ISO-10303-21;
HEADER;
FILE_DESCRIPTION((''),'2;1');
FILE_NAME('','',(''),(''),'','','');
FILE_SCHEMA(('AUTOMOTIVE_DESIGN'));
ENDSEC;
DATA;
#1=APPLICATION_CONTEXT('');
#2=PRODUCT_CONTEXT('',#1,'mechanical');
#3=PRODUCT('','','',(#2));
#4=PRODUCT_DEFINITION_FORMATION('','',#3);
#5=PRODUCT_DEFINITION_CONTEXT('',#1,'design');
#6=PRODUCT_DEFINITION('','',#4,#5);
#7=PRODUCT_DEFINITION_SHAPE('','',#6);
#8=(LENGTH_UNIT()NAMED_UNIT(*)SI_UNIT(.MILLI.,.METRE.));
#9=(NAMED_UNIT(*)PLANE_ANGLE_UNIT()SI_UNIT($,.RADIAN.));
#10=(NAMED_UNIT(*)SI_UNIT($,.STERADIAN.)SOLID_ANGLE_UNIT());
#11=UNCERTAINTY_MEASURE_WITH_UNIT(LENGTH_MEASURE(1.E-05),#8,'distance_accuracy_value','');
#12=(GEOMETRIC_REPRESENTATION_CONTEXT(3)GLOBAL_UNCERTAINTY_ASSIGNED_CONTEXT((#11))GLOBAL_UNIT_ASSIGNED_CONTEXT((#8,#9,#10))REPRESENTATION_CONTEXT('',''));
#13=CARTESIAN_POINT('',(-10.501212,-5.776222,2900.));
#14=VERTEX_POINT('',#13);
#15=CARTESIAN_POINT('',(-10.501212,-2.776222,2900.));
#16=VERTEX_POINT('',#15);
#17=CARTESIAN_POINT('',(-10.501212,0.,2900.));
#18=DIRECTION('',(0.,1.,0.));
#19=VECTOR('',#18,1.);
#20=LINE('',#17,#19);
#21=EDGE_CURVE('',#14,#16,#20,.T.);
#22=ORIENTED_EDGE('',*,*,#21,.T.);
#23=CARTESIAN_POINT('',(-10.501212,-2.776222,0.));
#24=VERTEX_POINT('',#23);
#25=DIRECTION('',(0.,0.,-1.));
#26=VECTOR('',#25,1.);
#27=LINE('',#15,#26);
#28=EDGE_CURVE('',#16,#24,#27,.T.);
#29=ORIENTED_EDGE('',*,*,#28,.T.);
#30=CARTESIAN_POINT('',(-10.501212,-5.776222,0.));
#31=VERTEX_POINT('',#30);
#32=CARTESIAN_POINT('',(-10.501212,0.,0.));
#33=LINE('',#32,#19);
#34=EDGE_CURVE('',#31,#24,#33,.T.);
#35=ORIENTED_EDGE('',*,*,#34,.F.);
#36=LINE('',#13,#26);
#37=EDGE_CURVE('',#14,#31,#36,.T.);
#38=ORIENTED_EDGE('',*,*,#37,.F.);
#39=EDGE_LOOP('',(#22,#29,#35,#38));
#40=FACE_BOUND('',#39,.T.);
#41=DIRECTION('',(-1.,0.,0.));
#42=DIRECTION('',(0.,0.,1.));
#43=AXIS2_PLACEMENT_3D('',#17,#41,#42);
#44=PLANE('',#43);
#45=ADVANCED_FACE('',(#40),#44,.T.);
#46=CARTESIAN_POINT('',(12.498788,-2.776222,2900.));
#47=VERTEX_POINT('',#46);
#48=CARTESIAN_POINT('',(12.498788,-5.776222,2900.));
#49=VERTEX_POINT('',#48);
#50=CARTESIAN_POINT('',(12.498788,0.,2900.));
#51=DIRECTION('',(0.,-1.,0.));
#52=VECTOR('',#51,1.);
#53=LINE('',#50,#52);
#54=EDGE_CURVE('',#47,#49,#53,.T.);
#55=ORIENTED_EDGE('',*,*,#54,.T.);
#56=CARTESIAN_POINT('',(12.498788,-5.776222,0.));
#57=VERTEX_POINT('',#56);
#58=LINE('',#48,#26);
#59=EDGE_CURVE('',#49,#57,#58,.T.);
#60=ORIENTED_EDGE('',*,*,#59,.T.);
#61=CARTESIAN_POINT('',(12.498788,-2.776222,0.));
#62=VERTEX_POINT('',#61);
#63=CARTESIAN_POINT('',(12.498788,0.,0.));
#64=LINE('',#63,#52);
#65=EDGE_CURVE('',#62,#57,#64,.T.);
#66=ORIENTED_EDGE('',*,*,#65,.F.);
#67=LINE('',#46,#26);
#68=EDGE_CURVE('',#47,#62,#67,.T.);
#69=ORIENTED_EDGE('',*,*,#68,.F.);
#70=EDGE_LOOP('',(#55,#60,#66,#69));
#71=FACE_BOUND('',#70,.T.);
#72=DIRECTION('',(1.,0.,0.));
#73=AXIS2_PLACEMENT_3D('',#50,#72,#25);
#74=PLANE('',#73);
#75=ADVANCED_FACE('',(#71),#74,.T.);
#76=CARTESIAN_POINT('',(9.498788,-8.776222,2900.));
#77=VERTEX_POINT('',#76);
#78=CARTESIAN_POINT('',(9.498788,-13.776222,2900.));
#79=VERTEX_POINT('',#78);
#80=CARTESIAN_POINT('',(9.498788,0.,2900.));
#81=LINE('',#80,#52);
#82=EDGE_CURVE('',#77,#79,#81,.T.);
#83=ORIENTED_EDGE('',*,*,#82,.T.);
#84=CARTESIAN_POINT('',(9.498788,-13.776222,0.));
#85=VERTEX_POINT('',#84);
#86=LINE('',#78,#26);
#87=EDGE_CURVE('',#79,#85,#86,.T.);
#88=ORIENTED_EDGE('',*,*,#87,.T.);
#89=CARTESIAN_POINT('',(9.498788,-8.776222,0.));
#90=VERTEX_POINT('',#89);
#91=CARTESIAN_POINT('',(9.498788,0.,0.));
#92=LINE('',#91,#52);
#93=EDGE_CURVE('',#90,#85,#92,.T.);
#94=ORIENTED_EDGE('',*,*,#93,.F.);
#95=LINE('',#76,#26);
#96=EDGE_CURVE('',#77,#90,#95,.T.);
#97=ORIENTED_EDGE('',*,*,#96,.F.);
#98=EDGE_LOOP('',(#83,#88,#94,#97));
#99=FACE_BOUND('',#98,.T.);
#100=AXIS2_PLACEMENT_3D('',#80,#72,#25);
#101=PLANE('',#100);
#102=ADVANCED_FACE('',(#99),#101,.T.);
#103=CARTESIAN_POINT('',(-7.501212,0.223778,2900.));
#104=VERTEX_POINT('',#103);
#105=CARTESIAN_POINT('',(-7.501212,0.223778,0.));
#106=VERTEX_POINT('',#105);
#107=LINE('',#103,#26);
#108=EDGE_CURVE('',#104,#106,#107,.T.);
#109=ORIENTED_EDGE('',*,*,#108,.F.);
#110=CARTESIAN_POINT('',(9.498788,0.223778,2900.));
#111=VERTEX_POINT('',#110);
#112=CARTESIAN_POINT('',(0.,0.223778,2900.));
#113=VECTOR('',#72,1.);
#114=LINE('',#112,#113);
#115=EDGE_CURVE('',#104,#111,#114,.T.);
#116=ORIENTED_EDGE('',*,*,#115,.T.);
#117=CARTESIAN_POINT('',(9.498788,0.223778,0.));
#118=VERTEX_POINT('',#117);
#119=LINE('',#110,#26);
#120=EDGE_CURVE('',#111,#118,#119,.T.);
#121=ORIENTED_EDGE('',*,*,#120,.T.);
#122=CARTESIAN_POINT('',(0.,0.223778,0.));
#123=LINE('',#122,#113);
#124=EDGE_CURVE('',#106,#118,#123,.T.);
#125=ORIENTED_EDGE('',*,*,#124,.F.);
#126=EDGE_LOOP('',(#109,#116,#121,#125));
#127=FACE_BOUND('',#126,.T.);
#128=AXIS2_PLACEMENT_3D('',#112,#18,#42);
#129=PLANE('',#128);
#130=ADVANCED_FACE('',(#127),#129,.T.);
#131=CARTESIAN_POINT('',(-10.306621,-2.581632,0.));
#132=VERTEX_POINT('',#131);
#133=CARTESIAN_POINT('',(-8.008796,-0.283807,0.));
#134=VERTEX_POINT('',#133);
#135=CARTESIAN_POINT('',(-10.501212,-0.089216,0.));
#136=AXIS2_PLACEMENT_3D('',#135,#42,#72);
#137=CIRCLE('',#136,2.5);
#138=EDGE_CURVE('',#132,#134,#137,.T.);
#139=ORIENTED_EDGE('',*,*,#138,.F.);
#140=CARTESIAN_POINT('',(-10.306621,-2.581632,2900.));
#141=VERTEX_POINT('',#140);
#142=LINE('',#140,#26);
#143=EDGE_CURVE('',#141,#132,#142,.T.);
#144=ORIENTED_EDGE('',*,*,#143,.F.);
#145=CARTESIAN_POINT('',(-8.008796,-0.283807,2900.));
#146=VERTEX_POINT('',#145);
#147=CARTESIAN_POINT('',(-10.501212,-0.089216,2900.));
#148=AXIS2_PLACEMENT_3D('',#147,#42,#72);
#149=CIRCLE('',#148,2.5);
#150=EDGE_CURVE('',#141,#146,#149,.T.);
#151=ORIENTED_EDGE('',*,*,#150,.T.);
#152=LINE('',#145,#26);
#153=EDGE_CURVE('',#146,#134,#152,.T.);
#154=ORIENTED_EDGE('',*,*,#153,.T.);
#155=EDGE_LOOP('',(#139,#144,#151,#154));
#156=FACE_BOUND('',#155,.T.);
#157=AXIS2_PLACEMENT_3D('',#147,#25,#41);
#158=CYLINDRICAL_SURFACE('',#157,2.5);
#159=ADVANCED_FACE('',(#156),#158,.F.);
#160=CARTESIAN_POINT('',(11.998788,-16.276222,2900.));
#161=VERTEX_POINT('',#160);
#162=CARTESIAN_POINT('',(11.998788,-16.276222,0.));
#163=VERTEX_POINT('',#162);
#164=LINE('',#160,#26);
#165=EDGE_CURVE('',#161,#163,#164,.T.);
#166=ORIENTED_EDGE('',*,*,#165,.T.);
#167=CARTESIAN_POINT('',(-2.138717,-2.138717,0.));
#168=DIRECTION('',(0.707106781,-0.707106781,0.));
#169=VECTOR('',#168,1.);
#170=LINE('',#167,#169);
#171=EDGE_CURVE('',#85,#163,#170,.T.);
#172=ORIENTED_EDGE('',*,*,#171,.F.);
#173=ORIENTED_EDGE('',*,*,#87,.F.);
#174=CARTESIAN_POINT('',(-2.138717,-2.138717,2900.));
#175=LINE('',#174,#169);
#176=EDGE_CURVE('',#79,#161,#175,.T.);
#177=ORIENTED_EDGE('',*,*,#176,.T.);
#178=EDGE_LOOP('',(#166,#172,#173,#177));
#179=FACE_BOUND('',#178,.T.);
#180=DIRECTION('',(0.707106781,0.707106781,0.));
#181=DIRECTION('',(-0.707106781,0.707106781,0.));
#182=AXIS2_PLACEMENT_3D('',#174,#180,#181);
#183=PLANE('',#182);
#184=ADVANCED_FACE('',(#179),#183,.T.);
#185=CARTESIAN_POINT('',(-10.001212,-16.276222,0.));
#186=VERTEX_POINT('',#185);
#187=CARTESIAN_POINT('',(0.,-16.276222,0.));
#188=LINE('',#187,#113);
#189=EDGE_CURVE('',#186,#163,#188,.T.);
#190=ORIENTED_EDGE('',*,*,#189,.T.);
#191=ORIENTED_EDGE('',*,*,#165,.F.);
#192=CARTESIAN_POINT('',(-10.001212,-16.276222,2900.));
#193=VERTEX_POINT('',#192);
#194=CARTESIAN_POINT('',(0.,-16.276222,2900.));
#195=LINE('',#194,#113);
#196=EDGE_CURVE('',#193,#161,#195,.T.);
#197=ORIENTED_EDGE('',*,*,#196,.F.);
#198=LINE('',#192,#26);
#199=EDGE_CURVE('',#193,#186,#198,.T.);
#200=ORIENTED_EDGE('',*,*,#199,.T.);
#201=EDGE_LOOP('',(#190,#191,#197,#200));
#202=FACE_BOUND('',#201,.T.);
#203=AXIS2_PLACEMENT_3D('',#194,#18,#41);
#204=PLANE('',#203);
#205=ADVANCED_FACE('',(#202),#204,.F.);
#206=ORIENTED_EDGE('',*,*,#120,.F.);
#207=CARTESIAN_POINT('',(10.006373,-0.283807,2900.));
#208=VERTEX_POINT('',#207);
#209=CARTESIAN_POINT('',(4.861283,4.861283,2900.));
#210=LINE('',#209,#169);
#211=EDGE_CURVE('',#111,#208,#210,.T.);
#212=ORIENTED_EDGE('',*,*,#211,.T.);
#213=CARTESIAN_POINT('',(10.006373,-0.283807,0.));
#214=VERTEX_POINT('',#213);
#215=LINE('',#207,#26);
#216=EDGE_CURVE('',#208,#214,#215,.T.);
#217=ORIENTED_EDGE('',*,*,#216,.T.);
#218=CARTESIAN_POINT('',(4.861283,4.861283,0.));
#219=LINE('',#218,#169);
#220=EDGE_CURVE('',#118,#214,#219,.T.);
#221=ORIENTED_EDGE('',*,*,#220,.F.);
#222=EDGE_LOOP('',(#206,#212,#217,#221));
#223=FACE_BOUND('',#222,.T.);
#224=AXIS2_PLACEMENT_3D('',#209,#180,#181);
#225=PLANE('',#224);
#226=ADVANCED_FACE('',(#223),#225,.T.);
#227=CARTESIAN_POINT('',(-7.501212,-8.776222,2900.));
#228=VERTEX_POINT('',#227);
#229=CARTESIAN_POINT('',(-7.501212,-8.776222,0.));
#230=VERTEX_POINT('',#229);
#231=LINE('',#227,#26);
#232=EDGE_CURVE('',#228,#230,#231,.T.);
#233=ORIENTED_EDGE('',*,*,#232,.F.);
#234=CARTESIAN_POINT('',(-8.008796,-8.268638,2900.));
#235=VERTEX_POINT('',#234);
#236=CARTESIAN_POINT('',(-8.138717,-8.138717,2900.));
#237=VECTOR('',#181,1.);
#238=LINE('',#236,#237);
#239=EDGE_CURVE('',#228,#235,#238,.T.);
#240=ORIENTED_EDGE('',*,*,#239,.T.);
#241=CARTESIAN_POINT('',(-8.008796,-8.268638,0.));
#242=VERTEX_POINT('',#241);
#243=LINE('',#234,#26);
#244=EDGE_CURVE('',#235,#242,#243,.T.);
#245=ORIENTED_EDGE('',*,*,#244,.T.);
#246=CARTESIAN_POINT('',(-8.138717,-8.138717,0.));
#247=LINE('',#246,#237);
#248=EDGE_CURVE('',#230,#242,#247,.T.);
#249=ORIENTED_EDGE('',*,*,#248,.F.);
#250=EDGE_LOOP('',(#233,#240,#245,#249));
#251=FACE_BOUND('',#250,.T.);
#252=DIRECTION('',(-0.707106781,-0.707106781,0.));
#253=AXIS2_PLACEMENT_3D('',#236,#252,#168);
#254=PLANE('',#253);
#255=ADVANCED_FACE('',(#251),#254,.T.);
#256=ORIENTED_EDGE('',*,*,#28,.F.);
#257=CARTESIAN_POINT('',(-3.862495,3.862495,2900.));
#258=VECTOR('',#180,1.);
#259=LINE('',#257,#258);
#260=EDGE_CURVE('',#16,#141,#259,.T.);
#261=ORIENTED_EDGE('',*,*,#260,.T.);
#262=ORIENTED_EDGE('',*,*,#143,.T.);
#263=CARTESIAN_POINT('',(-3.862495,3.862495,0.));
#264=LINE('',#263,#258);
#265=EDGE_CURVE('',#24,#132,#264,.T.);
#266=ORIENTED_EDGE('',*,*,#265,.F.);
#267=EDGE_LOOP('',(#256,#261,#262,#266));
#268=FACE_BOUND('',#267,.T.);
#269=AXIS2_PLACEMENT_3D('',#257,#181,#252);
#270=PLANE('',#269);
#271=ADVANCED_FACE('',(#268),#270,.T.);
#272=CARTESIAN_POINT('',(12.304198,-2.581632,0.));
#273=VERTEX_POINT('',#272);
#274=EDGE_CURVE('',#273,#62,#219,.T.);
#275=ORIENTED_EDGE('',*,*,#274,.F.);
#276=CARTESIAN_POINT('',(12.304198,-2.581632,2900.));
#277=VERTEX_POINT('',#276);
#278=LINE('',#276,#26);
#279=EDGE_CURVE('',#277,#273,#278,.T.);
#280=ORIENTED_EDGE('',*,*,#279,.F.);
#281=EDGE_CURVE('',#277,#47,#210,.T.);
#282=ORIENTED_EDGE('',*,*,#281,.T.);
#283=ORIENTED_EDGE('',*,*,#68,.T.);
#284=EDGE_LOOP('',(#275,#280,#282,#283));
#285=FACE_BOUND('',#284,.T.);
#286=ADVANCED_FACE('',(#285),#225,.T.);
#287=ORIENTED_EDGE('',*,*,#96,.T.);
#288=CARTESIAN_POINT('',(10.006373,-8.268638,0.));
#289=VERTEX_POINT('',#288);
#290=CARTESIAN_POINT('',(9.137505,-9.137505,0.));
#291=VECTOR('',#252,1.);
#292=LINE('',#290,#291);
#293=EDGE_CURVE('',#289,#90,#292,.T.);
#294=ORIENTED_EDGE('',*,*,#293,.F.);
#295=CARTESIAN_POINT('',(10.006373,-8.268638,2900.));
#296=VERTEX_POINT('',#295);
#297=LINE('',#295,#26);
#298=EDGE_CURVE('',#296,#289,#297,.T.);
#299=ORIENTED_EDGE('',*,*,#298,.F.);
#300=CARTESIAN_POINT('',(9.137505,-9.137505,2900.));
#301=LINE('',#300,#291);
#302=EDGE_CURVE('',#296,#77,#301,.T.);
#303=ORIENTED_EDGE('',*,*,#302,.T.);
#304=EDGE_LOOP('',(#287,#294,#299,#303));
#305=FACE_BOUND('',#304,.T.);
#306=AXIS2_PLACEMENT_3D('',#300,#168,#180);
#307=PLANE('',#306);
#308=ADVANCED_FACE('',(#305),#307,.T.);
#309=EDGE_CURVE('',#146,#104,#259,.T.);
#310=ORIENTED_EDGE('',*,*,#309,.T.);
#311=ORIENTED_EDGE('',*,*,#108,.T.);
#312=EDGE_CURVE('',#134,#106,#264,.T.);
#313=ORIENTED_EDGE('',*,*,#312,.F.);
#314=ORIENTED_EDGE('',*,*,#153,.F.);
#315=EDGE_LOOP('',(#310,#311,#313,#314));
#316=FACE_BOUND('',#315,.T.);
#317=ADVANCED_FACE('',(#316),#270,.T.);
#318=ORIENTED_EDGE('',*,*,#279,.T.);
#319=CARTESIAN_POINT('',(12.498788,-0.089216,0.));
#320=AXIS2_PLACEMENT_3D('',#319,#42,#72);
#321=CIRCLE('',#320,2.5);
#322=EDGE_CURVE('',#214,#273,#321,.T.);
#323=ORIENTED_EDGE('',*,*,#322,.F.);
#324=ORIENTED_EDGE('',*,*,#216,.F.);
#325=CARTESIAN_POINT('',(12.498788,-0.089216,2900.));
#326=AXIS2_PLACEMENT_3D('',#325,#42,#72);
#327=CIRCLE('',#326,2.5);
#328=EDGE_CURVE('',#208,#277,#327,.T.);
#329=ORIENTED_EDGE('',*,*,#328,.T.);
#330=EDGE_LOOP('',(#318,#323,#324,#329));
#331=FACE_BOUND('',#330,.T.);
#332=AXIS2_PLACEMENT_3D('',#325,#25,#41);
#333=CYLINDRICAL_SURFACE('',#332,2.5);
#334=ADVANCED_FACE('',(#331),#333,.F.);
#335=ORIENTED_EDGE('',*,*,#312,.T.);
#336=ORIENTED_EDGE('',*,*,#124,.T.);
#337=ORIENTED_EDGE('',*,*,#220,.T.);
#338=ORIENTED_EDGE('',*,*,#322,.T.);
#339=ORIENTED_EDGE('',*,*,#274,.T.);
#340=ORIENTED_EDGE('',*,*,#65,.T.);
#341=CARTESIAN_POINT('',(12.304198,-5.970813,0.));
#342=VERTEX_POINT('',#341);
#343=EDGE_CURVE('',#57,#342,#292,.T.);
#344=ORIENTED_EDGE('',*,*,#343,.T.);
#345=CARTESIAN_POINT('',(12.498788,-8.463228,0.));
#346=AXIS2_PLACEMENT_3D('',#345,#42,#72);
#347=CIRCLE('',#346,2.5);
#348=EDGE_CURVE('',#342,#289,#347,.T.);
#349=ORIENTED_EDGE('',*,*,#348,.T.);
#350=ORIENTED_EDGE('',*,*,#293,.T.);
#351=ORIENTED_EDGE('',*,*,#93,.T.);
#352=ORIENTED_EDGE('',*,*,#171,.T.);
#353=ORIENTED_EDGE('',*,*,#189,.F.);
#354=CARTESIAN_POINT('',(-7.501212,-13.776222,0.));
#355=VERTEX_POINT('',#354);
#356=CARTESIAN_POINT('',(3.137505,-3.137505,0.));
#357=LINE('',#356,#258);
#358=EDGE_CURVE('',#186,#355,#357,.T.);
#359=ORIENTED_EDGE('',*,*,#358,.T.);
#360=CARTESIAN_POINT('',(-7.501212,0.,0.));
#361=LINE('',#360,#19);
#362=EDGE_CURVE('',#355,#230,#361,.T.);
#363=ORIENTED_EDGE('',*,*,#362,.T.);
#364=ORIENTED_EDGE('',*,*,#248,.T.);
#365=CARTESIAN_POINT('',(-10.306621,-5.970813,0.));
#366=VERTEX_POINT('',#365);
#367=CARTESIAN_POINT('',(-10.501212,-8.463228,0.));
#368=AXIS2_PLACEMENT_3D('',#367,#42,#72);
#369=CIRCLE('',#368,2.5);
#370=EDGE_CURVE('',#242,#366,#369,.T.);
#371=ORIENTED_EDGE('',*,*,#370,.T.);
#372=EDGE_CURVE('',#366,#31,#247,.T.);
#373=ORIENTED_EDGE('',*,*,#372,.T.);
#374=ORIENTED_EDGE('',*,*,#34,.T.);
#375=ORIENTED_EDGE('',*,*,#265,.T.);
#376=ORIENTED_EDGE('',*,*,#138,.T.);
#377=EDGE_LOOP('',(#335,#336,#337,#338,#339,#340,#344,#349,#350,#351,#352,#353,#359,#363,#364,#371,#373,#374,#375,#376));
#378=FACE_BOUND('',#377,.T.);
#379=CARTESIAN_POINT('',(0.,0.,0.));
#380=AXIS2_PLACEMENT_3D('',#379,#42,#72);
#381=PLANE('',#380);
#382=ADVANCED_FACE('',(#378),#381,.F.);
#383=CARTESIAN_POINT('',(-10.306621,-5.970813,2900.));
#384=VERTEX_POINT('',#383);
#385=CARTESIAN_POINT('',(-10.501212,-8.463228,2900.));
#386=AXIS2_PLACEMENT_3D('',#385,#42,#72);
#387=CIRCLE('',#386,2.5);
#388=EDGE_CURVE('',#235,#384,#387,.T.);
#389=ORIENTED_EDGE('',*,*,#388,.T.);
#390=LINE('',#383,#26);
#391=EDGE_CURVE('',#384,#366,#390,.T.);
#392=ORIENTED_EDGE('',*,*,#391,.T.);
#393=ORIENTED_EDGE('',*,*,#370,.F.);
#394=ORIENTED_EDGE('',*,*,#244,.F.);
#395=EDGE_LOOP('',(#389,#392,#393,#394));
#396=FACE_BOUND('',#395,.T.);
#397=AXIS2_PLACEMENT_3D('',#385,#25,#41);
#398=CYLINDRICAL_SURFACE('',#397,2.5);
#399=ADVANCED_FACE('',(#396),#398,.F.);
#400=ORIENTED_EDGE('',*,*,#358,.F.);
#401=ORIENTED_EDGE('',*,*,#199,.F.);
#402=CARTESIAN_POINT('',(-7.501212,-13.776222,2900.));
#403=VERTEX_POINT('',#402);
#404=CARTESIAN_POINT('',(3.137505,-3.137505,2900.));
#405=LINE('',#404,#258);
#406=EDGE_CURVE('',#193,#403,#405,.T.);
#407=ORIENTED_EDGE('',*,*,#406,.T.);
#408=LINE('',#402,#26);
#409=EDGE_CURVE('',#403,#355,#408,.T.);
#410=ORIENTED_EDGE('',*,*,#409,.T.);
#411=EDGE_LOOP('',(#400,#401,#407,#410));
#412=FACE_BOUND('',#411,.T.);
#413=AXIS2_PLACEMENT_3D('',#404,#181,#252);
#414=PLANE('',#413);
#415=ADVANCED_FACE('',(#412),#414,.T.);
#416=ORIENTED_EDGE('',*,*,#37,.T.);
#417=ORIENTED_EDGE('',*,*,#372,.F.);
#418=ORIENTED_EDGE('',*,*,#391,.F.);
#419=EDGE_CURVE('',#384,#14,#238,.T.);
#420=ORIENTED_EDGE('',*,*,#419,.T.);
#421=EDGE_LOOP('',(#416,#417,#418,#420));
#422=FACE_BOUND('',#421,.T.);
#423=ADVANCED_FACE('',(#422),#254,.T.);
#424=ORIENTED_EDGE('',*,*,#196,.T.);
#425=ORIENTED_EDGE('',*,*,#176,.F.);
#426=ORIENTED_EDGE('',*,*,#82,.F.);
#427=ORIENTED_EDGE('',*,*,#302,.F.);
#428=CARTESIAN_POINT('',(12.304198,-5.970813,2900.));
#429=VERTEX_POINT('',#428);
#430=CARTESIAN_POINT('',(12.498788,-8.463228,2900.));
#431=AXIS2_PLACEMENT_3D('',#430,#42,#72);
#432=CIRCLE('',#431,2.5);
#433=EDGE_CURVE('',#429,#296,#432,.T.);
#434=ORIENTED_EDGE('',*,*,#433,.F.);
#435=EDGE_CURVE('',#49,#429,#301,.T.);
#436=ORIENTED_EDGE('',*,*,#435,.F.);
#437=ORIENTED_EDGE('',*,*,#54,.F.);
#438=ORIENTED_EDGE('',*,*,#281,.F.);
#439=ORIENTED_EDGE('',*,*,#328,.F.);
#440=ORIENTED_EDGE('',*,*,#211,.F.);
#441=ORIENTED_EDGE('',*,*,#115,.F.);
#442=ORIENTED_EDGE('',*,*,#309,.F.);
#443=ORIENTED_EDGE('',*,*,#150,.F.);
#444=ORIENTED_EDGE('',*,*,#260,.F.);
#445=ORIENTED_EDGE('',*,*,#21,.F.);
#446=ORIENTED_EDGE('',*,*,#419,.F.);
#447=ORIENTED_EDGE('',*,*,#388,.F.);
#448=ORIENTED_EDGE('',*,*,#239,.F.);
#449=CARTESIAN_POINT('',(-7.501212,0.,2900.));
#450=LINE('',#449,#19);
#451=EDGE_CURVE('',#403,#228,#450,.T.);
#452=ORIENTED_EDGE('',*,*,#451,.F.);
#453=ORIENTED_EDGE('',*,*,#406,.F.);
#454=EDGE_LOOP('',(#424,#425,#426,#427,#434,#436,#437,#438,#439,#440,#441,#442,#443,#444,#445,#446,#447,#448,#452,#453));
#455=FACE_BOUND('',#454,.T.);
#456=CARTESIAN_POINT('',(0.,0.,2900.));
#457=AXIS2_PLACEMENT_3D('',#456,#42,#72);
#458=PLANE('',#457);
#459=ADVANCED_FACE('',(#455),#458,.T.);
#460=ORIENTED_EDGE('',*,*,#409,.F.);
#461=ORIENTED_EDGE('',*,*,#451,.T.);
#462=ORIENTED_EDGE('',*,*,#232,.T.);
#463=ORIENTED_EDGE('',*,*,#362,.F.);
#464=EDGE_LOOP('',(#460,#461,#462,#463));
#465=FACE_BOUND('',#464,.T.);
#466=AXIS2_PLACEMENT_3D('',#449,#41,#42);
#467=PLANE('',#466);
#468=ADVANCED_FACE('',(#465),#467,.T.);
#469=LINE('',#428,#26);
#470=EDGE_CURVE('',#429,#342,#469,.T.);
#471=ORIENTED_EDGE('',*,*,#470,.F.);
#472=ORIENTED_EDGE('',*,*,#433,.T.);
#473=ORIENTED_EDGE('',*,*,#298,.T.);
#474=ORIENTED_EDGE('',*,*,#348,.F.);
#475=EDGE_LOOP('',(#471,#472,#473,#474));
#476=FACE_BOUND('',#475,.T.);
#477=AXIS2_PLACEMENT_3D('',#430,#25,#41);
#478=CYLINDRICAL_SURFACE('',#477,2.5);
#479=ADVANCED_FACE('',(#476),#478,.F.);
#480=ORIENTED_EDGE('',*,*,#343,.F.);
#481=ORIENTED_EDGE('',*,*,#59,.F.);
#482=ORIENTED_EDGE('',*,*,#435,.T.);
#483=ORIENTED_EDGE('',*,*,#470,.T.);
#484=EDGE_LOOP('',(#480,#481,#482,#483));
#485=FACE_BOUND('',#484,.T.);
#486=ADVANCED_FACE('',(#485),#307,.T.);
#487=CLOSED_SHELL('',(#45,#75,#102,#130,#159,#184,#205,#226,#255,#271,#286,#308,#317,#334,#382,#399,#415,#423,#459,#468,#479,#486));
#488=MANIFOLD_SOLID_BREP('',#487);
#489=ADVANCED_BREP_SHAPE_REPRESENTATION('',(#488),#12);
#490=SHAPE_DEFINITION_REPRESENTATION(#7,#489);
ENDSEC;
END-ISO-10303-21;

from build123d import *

# Parameters (mm, degrees)
ESTRUSIONE_ESTRUSIONE1_DEPTH = 2900


with BuildPart() as part:
    # Schizzo1 → Estrusione-Estrusione1 (new body)
    with BuildSketch(Plane.XY):
        with BuildLine():
            ThreePointArc((12.304198043, -5.970812526), (10.731021445, -6.695460987), (10.006372984, -8.268637585))
            Line((10.006372984, -8.268637585), (9.498788398, -8.776222172))
            Line((9.498788398, -8.776222172), (9.498788398, -13.776222172))
            Line((9.498788398, -13.776222172), (11.998788398, -16.276222172))
            Line((11.998788398, -16.276222172), (-10.001211602, -16.276222172))
            Line((-10.001211602, -16.276222172), (-7.501211602, -13.776222172))
            Line((-7.501211602, -13.776222172), (-7.501211602, -8.776222172))
            Line((-7.501211602, -8.776222172), (-8.008796188, -8.268637585))
            ThreePointArc((-8.008796188, -8.268637585), (-8.733444649, -6.695460987), (-10.306621247, -5.970812526))
            Line((-10.306621247, -5.970812526), (-10.501211602, -5.776222172))
            Line((-10.501211602, -5.776222172), (-10.501211602, -2.776222172))
            Line((-10.501211602, -2.776222172), (-10.306621247, -2.581631817))
            ThreePointArc((-10.306621247, -2.581631817), (-8.733444649, -1.856983356), (-8.008796188, -0.283806758))
            Line((-8.008796188, -0.283806758), (-7.501211602, 0.223777828))
            Line((-7.501211602, 0.223777828), (9.498788398, 0.223777828))
            Line((9.498788398, 0.223777828), (10.006372984, -0.283806758))
            ThreePointArc((10.006372984, -0.283806758), (10.731021445, -1.856983356), (12.304198043, -2.581631817))
            Line((12.304198043, -2.581631817), (12.498788398, -2.776222172))
            Line((12.498788398, -2.776222172), (12.498788398, -5.776222172))
            Line((12.498788398, -5.776222172), (12.304198043, -5.970812526))
        make_face()
    extrude(amount=ESTRUSIONE_ESTRUSIONE1_DEPTH)


solid = part.part
